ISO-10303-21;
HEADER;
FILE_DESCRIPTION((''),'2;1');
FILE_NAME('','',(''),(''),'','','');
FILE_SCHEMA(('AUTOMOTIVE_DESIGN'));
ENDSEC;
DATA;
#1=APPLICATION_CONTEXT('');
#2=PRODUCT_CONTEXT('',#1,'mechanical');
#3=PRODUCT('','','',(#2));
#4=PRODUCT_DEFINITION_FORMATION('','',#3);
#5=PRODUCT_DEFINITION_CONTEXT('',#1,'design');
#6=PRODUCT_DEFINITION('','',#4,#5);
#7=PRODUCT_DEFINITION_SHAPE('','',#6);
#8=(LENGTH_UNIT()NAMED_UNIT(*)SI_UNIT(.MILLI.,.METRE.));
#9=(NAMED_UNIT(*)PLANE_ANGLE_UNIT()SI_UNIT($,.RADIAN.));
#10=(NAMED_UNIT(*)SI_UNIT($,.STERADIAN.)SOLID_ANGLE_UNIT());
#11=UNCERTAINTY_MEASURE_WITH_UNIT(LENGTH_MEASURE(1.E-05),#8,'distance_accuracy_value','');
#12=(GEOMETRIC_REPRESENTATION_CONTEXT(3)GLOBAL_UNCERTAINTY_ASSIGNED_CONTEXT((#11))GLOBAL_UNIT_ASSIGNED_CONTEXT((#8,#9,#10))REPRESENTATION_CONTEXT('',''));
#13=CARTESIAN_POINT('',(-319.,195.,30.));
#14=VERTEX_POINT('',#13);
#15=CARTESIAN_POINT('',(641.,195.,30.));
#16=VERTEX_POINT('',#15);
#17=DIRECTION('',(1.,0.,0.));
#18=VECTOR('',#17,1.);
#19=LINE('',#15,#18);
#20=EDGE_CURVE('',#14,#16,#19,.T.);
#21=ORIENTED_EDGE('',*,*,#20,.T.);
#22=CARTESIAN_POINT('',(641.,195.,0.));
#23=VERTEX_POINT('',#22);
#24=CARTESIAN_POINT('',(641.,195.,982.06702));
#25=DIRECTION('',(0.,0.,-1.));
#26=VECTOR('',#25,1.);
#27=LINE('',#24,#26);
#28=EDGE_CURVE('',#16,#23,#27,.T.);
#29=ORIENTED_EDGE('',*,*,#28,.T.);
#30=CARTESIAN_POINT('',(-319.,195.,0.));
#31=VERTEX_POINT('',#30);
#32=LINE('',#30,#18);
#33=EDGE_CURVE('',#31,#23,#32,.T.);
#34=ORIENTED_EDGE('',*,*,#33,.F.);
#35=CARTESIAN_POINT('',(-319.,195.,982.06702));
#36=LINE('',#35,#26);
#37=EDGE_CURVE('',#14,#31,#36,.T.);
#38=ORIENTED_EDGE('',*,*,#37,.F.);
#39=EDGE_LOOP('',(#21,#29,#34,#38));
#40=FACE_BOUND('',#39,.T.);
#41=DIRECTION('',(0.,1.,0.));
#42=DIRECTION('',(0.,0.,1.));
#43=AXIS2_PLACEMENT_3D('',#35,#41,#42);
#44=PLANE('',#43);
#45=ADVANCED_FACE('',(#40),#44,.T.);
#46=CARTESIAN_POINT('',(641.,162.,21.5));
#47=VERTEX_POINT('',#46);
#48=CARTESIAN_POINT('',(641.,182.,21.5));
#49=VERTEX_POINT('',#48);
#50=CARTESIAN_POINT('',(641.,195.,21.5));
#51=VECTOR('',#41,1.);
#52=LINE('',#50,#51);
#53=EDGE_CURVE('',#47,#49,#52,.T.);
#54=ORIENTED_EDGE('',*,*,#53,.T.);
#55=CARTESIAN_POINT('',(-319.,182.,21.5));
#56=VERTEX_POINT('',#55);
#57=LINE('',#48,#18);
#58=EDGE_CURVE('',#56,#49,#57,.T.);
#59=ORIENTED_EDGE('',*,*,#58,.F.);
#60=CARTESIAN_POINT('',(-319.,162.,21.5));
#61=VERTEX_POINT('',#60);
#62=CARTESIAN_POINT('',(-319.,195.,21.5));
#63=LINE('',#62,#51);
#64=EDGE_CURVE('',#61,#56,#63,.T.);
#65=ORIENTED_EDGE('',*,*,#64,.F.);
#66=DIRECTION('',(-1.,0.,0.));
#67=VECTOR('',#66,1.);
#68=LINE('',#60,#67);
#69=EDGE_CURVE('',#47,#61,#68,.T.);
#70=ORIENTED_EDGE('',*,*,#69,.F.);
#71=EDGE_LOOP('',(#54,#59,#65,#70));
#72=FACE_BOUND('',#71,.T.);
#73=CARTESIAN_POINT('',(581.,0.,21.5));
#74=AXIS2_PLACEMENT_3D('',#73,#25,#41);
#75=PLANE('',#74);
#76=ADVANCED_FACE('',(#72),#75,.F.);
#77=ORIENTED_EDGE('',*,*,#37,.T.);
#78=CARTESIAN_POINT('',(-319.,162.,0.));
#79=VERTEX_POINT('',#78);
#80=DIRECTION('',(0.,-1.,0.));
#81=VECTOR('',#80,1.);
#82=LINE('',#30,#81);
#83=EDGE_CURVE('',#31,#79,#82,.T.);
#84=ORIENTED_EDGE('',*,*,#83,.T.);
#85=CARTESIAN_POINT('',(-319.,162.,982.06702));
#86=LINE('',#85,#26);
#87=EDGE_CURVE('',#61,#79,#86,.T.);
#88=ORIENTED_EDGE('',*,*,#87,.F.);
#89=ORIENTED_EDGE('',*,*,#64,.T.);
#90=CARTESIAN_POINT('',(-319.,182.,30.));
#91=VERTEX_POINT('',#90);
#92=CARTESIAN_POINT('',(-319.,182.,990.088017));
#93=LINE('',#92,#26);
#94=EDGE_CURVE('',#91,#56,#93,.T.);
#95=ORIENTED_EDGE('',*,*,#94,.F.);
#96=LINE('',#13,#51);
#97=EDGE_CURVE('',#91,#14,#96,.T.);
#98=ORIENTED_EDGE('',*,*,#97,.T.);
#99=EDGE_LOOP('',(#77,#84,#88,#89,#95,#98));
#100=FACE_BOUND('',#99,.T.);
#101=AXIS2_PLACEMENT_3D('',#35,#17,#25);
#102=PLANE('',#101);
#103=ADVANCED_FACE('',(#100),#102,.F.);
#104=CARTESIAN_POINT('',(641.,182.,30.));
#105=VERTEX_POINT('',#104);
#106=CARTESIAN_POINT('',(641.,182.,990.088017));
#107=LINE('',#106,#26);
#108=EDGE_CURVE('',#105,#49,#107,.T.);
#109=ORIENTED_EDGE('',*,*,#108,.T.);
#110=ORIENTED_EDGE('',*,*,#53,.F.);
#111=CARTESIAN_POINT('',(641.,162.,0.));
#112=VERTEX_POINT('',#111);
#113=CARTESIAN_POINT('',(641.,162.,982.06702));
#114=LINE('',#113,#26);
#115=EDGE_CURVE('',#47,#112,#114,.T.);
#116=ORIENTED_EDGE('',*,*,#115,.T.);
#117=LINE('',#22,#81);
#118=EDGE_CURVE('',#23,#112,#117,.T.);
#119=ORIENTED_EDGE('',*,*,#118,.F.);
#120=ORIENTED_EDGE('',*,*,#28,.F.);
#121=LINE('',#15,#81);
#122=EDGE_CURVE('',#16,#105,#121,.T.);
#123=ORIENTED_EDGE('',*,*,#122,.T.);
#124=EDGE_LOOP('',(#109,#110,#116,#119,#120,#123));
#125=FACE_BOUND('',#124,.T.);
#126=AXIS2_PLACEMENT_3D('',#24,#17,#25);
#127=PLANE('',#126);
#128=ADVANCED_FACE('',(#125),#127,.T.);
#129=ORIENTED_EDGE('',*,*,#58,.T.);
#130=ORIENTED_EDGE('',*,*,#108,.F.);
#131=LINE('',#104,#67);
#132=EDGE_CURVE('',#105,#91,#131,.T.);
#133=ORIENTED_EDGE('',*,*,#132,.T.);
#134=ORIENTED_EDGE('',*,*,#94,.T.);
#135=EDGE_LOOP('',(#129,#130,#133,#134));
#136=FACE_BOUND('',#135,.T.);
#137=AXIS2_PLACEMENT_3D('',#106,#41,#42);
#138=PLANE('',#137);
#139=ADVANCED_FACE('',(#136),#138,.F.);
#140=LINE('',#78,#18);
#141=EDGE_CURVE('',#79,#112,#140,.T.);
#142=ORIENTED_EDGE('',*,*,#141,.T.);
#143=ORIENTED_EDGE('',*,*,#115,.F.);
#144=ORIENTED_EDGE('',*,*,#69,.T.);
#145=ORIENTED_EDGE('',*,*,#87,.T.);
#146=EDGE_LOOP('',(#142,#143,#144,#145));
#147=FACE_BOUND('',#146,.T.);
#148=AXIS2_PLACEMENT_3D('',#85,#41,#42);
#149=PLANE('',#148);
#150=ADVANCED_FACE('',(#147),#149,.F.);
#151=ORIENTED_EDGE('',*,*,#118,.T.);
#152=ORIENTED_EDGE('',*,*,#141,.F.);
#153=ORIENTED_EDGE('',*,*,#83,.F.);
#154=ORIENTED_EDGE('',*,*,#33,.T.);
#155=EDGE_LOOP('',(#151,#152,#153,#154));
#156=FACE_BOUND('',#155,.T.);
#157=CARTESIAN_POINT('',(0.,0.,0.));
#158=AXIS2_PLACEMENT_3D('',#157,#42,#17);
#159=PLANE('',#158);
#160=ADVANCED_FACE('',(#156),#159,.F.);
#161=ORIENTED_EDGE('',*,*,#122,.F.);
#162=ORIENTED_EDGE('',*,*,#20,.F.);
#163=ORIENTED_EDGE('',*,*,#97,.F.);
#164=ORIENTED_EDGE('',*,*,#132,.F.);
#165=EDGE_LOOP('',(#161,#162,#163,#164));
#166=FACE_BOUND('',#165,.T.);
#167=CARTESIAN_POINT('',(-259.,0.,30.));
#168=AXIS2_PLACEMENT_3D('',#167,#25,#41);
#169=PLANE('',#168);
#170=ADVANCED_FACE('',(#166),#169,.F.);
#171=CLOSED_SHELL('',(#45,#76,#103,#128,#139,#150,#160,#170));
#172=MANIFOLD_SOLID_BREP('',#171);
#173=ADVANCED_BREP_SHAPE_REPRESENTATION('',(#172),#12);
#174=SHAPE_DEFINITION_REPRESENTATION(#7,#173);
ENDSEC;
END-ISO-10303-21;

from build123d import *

# Parameters (mm, degrees)
ESQUISSE1_W        = 960
ESQUISSE1_H        = 33
BOSS_EXTRU_1_DEPTH = 21.5
ESQUISSE2_W        = 960
ESQUISSE2_H        = 13
BOSS_EXTRU_2_DEPTH = 8.5


with BuildPart() as part:
    # Esquisse1 → Boss.-Extru.1 (new body)
    with BuildSketch(Plane.XY):
        with Locations((161, 178.5)):
            Rectangle(ESQUISSE1_W, ESQUISSE1_H)
    extrude(amount=BOSS_EXTRU_1_DEPTH)

    # Esquisse2 → Boss.-Extru.2 (add)
    with BuildSketch(Plane.XY.offset(21.5)):
        with Locations((161, 188.5)):
            Rectangle(ESQUISSE2_W, ESQUISSE2_H)
    extrude(amount=BOSS_EXTRU_2_DEPTH)


solid = part.part
